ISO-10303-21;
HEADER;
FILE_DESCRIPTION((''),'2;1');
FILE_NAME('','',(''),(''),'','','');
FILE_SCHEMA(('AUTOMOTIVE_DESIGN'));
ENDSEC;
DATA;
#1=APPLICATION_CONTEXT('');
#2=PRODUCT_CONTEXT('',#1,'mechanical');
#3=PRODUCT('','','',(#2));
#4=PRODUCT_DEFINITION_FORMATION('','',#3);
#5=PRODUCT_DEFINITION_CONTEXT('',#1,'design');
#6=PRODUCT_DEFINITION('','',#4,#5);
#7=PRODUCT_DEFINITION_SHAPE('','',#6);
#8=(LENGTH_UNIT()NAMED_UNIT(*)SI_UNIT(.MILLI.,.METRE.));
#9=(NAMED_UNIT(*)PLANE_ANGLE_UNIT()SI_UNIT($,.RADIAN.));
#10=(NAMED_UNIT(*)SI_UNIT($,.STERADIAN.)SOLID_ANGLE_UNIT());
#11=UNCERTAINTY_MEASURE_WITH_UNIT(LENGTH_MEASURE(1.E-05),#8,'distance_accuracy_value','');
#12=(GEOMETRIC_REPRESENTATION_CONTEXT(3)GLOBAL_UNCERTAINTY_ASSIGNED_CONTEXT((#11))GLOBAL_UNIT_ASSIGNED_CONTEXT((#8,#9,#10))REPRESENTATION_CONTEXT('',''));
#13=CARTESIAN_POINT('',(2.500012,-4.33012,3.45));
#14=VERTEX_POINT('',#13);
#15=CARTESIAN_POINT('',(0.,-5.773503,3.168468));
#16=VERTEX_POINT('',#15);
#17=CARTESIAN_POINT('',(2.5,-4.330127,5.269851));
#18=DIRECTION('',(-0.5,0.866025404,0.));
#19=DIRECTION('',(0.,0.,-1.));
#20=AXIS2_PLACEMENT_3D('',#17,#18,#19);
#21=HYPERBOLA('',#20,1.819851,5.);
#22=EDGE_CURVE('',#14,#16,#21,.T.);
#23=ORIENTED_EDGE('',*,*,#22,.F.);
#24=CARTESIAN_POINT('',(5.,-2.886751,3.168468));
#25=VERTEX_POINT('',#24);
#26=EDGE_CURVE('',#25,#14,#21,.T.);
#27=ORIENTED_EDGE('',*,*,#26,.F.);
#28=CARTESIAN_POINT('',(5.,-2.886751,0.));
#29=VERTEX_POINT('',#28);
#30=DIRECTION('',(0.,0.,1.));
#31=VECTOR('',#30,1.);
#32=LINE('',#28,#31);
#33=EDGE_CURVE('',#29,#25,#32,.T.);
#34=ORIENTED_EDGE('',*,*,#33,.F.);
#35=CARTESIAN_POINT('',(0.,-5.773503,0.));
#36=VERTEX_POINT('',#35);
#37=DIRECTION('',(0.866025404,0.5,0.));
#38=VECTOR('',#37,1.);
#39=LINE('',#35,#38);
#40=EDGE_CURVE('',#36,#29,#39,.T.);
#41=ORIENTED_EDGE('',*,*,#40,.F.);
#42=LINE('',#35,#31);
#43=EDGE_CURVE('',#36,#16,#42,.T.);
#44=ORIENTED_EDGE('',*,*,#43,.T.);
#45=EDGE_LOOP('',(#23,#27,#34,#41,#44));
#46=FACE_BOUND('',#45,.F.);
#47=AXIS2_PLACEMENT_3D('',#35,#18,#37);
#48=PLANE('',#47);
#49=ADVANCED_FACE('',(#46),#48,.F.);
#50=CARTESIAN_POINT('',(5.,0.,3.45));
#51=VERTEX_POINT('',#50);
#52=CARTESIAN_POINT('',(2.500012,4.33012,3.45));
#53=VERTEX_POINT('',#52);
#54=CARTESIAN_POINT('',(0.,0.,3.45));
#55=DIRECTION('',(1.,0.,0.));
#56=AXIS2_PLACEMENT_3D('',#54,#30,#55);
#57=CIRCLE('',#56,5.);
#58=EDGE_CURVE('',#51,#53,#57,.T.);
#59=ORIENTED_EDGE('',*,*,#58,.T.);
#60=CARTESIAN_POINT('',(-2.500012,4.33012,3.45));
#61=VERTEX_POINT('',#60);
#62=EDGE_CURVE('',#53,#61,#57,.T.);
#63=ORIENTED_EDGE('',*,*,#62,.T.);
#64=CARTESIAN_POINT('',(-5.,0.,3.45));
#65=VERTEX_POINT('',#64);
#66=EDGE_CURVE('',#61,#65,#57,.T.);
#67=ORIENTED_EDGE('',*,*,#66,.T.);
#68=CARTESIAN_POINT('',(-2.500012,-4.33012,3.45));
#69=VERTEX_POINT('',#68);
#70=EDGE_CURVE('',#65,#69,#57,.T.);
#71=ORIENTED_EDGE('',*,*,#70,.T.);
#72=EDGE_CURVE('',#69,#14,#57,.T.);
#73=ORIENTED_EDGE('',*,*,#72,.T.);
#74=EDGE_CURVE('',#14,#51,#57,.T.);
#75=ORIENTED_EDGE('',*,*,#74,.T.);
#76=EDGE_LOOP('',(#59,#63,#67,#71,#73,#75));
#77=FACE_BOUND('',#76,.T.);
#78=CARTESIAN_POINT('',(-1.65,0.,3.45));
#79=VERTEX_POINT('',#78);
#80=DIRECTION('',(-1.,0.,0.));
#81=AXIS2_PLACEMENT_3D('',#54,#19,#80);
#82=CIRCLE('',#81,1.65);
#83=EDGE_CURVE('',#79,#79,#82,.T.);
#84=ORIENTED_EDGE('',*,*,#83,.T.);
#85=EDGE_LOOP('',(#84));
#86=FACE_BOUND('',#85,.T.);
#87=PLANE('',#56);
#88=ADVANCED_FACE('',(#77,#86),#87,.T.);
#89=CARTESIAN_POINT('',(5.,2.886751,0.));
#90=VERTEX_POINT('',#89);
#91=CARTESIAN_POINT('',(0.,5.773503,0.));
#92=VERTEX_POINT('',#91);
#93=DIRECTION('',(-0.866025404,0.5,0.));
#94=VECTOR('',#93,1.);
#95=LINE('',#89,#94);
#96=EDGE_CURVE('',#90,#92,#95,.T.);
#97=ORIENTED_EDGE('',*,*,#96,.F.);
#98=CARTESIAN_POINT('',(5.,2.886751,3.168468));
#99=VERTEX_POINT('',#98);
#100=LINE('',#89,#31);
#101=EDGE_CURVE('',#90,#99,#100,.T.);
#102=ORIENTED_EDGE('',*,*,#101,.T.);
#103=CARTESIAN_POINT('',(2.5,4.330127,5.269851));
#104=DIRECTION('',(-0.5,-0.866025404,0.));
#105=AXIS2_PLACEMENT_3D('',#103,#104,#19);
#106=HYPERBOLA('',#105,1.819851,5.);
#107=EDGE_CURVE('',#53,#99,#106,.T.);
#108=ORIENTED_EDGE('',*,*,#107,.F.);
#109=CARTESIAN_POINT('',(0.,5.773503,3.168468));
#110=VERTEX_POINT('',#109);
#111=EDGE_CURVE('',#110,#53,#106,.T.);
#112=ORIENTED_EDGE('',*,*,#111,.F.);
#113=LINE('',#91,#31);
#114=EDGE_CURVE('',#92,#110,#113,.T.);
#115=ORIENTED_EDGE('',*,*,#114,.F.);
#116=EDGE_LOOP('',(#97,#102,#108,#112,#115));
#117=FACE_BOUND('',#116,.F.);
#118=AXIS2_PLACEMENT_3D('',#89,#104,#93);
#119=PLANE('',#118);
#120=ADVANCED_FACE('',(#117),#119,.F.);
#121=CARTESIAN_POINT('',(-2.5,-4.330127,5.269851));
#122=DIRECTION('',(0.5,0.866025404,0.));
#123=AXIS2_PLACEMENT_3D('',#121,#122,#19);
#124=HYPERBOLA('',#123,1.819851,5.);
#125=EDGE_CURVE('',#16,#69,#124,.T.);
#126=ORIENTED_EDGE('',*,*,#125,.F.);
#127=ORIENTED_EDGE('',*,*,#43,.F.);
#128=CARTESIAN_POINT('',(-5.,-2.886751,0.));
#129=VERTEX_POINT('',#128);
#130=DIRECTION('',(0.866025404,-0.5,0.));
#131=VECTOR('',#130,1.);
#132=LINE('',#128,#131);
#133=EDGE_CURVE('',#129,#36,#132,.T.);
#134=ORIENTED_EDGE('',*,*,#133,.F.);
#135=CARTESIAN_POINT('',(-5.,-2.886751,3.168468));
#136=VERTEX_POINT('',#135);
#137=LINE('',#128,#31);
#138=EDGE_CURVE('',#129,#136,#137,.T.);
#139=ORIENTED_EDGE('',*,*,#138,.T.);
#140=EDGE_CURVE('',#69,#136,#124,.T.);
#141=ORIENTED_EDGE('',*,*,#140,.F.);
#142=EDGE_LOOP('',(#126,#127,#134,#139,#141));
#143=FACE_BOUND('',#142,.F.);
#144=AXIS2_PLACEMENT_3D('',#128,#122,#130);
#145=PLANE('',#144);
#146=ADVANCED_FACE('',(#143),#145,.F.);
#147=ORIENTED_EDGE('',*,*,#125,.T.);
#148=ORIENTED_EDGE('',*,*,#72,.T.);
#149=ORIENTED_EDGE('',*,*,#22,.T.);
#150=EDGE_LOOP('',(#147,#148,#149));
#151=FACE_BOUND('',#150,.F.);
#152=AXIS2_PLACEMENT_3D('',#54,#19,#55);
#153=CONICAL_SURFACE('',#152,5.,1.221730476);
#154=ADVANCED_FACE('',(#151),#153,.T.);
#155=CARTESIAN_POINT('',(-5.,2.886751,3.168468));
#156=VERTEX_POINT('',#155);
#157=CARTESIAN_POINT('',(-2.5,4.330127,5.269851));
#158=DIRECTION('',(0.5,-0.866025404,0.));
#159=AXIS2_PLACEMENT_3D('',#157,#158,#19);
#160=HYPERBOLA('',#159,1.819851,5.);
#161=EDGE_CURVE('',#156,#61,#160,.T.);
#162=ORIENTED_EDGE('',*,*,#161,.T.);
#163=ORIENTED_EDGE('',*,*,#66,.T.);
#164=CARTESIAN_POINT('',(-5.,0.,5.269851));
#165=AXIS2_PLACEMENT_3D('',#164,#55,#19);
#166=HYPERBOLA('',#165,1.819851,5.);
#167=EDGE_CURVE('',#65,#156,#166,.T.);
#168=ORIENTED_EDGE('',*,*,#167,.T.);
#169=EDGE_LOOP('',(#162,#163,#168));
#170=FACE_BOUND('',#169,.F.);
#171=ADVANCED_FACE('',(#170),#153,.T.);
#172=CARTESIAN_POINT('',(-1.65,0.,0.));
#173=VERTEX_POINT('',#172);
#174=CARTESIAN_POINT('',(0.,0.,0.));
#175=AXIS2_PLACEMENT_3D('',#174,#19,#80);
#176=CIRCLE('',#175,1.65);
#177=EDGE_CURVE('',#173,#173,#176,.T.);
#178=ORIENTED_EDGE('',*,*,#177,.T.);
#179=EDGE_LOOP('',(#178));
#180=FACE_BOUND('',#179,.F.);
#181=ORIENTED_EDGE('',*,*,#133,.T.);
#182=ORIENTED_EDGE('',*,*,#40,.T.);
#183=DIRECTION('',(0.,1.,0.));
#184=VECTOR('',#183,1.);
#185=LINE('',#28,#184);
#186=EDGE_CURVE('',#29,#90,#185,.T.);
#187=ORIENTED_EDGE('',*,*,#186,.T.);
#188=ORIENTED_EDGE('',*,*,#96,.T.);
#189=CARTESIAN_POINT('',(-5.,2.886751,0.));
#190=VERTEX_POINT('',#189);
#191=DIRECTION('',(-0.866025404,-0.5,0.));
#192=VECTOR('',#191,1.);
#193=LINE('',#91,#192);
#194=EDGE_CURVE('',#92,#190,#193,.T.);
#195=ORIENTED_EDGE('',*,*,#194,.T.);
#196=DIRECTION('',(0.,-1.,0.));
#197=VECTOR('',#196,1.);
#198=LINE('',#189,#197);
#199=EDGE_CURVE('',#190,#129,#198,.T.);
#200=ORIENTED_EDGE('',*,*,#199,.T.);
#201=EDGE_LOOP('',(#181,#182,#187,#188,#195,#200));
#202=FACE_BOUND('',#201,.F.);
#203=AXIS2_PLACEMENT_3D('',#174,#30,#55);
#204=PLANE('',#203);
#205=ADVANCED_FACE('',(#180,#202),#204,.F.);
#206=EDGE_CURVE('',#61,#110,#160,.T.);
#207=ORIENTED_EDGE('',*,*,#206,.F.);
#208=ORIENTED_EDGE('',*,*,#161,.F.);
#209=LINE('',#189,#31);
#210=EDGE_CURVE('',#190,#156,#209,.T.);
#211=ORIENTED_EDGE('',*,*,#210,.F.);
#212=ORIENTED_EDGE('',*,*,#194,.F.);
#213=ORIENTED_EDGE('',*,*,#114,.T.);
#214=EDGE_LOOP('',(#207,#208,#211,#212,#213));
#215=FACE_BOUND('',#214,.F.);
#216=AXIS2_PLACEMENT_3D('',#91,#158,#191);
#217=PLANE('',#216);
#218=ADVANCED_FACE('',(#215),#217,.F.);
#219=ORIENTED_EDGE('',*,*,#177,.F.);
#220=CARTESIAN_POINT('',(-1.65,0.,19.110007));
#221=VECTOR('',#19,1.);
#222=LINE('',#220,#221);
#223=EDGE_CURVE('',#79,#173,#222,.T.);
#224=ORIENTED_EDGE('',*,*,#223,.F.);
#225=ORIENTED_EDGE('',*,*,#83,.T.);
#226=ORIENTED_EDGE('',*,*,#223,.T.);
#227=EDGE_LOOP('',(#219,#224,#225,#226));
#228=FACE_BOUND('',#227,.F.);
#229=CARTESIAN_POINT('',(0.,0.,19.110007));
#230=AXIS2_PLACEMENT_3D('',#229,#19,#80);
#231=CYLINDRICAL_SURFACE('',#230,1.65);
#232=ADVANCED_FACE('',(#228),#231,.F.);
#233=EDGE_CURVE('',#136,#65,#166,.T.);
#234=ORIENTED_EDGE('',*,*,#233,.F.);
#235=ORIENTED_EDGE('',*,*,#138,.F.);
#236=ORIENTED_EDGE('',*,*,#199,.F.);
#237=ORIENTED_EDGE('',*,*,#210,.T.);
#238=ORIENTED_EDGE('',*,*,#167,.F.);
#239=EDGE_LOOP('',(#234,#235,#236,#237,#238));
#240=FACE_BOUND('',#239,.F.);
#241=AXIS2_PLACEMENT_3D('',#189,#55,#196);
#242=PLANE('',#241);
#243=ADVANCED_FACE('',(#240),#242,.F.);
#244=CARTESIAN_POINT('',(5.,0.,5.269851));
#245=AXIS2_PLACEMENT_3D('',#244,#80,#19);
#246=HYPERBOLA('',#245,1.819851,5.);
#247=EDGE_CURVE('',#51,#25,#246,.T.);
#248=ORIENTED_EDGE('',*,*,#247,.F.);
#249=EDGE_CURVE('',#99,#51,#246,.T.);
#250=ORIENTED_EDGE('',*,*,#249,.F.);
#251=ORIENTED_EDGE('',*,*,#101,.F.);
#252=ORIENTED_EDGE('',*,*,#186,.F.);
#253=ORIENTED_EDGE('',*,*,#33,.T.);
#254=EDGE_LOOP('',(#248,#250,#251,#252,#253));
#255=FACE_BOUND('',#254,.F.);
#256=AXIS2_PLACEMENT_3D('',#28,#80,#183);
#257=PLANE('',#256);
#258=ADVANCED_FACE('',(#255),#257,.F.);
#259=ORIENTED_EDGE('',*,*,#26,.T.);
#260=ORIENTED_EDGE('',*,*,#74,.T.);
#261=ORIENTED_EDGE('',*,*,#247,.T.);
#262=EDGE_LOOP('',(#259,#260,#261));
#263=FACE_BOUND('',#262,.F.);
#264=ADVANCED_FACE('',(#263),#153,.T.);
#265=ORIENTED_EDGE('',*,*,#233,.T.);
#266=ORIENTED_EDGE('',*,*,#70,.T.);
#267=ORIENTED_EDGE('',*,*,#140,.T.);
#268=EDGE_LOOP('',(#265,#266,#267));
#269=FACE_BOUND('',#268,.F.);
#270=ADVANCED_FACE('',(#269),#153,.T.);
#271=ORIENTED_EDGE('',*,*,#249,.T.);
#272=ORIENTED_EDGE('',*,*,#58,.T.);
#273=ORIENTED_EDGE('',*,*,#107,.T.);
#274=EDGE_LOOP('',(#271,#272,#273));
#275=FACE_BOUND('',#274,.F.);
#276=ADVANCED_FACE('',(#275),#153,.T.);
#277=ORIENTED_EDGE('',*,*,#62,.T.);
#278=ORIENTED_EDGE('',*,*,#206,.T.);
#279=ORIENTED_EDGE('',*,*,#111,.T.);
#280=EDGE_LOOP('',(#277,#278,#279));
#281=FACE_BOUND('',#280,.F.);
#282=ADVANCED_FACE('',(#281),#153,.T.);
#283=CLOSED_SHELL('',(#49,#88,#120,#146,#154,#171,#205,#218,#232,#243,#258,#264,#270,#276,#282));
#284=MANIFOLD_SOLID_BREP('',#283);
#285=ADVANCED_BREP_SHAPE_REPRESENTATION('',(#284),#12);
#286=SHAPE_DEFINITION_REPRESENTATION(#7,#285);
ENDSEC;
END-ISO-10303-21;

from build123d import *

# Parameters (mm, degrees)
F1_DEPTH = 3.45
F5_D     = 3.3


with BuildPart() as f1:
    # F0 (on Top) → F1 (new body)
    with BuildSketch(Plane.XY):
        Polygon((5, -2.8867513459), (5, 2.8867513459), (0, 5.7735026919), (-5, 2.8867513459), (-5, -2.8867513459), (0, -5.7735026919), align=None)
    extrude(amount=F1_DEPTH)

    # F2 (on Front) → F3 (revolve, cut)
    with BuildSketch(Plane.XZ):
        Polygon((6.9201928239, 3.45), (5, 3.45), (6.9201928239, 2.751106968), align=None)
    revolve(axis=Axis((0, 0, 1.725), (0, 0, 1)), mode=Mode.SUBTRACT)

    # F5 (through all)
    with Locations(Plane.XY.offset(3.45)):
        with Locations((0, 0)):
            Hole(F5_D / 2)


solid = f1.part
